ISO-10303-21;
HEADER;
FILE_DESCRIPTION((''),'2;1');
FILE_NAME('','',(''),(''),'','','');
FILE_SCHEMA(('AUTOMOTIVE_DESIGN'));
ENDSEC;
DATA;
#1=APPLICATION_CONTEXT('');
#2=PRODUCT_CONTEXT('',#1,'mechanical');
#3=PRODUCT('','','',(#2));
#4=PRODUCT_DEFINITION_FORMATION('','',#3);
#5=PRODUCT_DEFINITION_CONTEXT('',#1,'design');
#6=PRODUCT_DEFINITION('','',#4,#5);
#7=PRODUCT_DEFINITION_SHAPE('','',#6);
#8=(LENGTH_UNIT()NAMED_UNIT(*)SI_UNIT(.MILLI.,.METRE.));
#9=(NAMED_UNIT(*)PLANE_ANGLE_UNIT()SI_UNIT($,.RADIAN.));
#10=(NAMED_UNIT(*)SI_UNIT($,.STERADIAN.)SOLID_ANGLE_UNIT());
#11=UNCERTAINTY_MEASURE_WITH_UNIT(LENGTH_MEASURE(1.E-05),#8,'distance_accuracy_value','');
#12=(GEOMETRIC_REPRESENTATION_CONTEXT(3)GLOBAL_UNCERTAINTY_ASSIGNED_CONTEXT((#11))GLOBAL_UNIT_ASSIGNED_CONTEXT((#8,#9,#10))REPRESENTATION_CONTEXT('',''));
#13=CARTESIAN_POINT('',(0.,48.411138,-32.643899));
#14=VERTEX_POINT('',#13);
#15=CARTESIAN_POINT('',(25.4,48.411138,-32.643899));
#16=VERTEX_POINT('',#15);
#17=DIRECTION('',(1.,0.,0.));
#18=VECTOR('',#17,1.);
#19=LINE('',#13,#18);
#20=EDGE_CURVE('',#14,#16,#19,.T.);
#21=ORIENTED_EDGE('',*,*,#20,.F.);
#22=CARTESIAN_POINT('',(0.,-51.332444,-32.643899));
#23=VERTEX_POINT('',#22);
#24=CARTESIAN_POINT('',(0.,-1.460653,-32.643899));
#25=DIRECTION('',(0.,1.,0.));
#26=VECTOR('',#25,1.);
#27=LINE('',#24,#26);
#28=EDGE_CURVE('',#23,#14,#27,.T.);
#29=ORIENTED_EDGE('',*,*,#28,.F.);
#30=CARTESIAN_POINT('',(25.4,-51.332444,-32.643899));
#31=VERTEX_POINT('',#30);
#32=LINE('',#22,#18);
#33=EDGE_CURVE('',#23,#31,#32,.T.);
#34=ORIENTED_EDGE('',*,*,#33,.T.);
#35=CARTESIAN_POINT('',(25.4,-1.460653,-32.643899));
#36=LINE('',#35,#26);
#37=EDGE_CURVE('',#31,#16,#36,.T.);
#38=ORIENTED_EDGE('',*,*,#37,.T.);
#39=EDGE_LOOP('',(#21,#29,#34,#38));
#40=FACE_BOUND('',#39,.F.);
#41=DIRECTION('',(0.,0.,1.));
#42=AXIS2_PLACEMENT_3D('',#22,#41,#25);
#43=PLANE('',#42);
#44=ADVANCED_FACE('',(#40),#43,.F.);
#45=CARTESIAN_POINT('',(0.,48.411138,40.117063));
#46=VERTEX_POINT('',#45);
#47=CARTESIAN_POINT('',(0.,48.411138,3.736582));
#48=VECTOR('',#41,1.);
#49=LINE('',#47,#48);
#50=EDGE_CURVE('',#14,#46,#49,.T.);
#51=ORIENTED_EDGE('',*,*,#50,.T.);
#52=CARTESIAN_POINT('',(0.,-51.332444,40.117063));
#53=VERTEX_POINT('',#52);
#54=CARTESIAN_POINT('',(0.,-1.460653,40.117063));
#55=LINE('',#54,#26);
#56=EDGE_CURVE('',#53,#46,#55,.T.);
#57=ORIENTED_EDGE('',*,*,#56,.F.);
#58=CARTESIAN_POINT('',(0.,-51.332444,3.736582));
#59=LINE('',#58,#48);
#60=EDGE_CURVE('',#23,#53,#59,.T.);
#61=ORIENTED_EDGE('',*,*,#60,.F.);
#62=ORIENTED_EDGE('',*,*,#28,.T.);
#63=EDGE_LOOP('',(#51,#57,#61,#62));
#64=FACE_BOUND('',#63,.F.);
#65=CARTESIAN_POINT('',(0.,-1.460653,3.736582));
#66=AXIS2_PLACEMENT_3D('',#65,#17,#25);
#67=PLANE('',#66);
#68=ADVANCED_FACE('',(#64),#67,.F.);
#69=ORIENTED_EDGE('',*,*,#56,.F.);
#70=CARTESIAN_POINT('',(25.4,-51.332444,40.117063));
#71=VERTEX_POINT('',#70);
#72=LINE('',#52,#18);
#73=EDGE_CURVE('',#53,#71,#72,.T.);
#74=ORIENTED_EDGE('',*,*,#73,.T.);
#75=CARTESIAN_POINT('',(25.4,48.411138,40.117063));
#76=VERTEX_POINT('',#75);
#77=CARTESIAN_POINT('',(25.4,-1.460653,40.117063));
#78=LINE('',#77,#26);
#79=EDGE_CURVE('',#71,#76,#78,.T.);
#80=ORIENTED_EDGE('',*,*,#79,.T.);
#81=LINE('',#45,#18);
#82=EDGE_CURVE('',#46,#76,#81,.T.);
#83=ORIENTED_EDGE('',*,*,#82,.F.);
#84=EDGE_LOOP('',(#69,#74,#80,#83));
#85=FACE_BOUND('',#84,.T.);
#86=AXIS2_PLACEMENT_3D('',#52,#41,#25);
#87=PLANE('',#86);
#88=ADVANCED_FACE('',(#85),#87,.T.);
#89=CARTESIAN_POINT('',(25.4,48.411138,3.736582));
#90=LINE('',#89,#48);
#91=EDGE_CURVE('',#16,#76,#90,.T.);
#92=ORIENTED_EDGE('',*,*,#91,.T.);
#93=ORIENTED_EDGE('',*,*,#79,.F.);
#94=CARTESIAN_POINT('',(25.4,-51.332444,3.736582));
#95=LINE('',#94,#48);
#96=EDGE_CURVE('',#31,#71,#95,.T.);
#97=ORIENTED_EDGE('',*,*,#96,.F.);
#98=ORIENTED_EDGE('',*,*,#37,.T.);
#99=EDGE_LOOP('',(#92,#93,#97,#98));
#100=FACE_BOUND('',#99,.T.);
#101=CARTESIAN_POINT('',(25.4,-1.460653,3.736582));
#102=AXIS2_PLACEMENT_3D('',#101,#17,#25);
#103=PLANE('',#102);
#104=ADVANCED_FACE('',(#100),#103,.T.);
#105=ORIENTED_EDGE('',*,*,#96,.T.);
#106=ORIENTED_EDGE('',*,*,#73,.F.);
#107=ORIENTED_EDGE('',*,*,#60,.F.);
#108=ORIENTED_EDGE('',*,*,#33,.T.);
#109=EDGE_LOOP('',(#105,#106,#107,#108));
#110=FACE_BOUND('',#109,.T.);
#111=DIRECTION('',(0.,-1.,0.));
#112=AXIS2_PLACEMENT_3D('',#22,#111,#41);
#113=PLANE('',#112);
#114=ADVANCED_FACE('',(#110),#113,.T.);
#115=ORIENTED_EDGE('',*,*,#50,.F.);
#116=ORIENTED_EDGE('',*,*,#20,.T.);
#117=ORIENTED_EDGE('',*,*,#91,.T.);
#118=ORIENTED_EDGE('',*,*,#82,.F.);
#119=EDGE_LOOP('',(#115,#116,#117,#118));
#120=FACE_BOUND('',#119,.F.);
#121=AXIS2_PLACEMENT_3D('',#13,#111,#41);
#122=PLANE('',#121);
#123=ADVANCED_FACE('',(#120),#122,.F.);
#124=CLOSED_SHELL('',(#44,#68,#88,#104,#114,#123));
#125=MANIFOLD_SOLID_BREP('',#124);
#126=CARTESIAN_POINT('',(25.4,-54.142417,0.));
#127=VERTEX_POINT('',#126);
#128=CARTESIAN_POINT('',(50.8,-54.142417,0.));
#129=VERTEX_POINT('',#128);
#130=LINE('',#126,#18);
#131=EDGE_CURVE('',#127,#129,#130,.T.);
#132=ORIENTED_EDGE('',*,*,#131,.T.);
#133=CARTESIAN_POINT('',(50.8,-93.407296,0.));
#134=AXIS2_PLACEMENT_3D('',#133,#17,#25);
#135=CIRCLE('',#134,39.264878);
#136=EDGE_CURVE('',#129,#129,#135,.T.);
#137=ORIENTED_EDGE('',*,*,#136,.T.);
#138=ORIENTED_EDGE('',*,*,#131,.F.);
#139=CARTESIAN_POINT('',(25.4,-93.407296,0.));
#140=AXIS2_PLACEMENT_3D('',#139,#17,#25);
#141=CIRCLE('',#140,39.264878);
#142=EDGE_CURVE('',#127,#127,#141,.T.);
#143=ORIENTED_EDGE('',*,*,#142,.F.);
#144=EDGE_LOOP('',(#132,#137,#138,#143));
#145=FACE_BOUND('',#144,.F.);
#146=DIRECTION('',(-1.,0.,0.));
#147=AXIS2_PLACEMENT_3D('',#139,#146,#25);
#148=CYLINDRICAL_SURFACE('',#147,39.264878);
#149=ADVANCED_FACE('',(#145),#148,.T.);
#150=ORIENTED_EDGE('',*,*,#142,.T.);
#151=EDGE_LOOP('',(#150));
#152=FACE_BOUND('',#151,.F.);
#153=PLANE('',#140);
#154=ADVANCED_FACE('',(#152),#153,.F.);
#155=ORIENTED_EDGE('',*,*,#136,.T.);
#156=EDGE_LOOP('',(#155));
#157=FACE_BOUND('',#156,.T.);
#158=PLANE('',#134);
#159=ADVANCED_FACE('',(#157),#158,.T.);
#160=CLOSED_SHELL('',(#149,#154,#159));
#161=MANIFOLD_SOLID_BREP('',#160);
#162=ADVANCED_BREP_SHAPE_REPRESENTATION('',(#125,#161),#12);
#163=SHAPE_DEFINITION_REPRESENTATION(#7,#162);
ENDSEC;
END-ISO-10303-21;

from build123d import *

# Parameters (mm, degrees)
F0_W     = 99.7435823083
F0_H     = 72.7609619498
F0_R     = 32.510213414
F1_DEPTH = 25.4
F2_R     = 39.2648783407
F3_DEPTH = 25.4


with BuildPart() as f1:
    # F0 (on Right) → F1 (new body)
    with BuildSketch(Plane.YZ):
        with Locations((-1.4606527984, 3.7365816534)):
            Rectangle(F0_W, F0_H)
        Circle(F0_R, mode=Mode.SUBTRACT)
        Circle(F0_R)
    extrude(amount=F1_DEPTH)


with BuildPart() as f3:
    # F2 (on face) → F3 (new body)
    with BuildSketch(Plane.YZ.offset(25.4)):
        with Locations((-93.4072956443, 0)):
            Circle(F2_R)
    extrude(amount=F3_DEPTH)


solid = Compound([f1.part, f3.part])
